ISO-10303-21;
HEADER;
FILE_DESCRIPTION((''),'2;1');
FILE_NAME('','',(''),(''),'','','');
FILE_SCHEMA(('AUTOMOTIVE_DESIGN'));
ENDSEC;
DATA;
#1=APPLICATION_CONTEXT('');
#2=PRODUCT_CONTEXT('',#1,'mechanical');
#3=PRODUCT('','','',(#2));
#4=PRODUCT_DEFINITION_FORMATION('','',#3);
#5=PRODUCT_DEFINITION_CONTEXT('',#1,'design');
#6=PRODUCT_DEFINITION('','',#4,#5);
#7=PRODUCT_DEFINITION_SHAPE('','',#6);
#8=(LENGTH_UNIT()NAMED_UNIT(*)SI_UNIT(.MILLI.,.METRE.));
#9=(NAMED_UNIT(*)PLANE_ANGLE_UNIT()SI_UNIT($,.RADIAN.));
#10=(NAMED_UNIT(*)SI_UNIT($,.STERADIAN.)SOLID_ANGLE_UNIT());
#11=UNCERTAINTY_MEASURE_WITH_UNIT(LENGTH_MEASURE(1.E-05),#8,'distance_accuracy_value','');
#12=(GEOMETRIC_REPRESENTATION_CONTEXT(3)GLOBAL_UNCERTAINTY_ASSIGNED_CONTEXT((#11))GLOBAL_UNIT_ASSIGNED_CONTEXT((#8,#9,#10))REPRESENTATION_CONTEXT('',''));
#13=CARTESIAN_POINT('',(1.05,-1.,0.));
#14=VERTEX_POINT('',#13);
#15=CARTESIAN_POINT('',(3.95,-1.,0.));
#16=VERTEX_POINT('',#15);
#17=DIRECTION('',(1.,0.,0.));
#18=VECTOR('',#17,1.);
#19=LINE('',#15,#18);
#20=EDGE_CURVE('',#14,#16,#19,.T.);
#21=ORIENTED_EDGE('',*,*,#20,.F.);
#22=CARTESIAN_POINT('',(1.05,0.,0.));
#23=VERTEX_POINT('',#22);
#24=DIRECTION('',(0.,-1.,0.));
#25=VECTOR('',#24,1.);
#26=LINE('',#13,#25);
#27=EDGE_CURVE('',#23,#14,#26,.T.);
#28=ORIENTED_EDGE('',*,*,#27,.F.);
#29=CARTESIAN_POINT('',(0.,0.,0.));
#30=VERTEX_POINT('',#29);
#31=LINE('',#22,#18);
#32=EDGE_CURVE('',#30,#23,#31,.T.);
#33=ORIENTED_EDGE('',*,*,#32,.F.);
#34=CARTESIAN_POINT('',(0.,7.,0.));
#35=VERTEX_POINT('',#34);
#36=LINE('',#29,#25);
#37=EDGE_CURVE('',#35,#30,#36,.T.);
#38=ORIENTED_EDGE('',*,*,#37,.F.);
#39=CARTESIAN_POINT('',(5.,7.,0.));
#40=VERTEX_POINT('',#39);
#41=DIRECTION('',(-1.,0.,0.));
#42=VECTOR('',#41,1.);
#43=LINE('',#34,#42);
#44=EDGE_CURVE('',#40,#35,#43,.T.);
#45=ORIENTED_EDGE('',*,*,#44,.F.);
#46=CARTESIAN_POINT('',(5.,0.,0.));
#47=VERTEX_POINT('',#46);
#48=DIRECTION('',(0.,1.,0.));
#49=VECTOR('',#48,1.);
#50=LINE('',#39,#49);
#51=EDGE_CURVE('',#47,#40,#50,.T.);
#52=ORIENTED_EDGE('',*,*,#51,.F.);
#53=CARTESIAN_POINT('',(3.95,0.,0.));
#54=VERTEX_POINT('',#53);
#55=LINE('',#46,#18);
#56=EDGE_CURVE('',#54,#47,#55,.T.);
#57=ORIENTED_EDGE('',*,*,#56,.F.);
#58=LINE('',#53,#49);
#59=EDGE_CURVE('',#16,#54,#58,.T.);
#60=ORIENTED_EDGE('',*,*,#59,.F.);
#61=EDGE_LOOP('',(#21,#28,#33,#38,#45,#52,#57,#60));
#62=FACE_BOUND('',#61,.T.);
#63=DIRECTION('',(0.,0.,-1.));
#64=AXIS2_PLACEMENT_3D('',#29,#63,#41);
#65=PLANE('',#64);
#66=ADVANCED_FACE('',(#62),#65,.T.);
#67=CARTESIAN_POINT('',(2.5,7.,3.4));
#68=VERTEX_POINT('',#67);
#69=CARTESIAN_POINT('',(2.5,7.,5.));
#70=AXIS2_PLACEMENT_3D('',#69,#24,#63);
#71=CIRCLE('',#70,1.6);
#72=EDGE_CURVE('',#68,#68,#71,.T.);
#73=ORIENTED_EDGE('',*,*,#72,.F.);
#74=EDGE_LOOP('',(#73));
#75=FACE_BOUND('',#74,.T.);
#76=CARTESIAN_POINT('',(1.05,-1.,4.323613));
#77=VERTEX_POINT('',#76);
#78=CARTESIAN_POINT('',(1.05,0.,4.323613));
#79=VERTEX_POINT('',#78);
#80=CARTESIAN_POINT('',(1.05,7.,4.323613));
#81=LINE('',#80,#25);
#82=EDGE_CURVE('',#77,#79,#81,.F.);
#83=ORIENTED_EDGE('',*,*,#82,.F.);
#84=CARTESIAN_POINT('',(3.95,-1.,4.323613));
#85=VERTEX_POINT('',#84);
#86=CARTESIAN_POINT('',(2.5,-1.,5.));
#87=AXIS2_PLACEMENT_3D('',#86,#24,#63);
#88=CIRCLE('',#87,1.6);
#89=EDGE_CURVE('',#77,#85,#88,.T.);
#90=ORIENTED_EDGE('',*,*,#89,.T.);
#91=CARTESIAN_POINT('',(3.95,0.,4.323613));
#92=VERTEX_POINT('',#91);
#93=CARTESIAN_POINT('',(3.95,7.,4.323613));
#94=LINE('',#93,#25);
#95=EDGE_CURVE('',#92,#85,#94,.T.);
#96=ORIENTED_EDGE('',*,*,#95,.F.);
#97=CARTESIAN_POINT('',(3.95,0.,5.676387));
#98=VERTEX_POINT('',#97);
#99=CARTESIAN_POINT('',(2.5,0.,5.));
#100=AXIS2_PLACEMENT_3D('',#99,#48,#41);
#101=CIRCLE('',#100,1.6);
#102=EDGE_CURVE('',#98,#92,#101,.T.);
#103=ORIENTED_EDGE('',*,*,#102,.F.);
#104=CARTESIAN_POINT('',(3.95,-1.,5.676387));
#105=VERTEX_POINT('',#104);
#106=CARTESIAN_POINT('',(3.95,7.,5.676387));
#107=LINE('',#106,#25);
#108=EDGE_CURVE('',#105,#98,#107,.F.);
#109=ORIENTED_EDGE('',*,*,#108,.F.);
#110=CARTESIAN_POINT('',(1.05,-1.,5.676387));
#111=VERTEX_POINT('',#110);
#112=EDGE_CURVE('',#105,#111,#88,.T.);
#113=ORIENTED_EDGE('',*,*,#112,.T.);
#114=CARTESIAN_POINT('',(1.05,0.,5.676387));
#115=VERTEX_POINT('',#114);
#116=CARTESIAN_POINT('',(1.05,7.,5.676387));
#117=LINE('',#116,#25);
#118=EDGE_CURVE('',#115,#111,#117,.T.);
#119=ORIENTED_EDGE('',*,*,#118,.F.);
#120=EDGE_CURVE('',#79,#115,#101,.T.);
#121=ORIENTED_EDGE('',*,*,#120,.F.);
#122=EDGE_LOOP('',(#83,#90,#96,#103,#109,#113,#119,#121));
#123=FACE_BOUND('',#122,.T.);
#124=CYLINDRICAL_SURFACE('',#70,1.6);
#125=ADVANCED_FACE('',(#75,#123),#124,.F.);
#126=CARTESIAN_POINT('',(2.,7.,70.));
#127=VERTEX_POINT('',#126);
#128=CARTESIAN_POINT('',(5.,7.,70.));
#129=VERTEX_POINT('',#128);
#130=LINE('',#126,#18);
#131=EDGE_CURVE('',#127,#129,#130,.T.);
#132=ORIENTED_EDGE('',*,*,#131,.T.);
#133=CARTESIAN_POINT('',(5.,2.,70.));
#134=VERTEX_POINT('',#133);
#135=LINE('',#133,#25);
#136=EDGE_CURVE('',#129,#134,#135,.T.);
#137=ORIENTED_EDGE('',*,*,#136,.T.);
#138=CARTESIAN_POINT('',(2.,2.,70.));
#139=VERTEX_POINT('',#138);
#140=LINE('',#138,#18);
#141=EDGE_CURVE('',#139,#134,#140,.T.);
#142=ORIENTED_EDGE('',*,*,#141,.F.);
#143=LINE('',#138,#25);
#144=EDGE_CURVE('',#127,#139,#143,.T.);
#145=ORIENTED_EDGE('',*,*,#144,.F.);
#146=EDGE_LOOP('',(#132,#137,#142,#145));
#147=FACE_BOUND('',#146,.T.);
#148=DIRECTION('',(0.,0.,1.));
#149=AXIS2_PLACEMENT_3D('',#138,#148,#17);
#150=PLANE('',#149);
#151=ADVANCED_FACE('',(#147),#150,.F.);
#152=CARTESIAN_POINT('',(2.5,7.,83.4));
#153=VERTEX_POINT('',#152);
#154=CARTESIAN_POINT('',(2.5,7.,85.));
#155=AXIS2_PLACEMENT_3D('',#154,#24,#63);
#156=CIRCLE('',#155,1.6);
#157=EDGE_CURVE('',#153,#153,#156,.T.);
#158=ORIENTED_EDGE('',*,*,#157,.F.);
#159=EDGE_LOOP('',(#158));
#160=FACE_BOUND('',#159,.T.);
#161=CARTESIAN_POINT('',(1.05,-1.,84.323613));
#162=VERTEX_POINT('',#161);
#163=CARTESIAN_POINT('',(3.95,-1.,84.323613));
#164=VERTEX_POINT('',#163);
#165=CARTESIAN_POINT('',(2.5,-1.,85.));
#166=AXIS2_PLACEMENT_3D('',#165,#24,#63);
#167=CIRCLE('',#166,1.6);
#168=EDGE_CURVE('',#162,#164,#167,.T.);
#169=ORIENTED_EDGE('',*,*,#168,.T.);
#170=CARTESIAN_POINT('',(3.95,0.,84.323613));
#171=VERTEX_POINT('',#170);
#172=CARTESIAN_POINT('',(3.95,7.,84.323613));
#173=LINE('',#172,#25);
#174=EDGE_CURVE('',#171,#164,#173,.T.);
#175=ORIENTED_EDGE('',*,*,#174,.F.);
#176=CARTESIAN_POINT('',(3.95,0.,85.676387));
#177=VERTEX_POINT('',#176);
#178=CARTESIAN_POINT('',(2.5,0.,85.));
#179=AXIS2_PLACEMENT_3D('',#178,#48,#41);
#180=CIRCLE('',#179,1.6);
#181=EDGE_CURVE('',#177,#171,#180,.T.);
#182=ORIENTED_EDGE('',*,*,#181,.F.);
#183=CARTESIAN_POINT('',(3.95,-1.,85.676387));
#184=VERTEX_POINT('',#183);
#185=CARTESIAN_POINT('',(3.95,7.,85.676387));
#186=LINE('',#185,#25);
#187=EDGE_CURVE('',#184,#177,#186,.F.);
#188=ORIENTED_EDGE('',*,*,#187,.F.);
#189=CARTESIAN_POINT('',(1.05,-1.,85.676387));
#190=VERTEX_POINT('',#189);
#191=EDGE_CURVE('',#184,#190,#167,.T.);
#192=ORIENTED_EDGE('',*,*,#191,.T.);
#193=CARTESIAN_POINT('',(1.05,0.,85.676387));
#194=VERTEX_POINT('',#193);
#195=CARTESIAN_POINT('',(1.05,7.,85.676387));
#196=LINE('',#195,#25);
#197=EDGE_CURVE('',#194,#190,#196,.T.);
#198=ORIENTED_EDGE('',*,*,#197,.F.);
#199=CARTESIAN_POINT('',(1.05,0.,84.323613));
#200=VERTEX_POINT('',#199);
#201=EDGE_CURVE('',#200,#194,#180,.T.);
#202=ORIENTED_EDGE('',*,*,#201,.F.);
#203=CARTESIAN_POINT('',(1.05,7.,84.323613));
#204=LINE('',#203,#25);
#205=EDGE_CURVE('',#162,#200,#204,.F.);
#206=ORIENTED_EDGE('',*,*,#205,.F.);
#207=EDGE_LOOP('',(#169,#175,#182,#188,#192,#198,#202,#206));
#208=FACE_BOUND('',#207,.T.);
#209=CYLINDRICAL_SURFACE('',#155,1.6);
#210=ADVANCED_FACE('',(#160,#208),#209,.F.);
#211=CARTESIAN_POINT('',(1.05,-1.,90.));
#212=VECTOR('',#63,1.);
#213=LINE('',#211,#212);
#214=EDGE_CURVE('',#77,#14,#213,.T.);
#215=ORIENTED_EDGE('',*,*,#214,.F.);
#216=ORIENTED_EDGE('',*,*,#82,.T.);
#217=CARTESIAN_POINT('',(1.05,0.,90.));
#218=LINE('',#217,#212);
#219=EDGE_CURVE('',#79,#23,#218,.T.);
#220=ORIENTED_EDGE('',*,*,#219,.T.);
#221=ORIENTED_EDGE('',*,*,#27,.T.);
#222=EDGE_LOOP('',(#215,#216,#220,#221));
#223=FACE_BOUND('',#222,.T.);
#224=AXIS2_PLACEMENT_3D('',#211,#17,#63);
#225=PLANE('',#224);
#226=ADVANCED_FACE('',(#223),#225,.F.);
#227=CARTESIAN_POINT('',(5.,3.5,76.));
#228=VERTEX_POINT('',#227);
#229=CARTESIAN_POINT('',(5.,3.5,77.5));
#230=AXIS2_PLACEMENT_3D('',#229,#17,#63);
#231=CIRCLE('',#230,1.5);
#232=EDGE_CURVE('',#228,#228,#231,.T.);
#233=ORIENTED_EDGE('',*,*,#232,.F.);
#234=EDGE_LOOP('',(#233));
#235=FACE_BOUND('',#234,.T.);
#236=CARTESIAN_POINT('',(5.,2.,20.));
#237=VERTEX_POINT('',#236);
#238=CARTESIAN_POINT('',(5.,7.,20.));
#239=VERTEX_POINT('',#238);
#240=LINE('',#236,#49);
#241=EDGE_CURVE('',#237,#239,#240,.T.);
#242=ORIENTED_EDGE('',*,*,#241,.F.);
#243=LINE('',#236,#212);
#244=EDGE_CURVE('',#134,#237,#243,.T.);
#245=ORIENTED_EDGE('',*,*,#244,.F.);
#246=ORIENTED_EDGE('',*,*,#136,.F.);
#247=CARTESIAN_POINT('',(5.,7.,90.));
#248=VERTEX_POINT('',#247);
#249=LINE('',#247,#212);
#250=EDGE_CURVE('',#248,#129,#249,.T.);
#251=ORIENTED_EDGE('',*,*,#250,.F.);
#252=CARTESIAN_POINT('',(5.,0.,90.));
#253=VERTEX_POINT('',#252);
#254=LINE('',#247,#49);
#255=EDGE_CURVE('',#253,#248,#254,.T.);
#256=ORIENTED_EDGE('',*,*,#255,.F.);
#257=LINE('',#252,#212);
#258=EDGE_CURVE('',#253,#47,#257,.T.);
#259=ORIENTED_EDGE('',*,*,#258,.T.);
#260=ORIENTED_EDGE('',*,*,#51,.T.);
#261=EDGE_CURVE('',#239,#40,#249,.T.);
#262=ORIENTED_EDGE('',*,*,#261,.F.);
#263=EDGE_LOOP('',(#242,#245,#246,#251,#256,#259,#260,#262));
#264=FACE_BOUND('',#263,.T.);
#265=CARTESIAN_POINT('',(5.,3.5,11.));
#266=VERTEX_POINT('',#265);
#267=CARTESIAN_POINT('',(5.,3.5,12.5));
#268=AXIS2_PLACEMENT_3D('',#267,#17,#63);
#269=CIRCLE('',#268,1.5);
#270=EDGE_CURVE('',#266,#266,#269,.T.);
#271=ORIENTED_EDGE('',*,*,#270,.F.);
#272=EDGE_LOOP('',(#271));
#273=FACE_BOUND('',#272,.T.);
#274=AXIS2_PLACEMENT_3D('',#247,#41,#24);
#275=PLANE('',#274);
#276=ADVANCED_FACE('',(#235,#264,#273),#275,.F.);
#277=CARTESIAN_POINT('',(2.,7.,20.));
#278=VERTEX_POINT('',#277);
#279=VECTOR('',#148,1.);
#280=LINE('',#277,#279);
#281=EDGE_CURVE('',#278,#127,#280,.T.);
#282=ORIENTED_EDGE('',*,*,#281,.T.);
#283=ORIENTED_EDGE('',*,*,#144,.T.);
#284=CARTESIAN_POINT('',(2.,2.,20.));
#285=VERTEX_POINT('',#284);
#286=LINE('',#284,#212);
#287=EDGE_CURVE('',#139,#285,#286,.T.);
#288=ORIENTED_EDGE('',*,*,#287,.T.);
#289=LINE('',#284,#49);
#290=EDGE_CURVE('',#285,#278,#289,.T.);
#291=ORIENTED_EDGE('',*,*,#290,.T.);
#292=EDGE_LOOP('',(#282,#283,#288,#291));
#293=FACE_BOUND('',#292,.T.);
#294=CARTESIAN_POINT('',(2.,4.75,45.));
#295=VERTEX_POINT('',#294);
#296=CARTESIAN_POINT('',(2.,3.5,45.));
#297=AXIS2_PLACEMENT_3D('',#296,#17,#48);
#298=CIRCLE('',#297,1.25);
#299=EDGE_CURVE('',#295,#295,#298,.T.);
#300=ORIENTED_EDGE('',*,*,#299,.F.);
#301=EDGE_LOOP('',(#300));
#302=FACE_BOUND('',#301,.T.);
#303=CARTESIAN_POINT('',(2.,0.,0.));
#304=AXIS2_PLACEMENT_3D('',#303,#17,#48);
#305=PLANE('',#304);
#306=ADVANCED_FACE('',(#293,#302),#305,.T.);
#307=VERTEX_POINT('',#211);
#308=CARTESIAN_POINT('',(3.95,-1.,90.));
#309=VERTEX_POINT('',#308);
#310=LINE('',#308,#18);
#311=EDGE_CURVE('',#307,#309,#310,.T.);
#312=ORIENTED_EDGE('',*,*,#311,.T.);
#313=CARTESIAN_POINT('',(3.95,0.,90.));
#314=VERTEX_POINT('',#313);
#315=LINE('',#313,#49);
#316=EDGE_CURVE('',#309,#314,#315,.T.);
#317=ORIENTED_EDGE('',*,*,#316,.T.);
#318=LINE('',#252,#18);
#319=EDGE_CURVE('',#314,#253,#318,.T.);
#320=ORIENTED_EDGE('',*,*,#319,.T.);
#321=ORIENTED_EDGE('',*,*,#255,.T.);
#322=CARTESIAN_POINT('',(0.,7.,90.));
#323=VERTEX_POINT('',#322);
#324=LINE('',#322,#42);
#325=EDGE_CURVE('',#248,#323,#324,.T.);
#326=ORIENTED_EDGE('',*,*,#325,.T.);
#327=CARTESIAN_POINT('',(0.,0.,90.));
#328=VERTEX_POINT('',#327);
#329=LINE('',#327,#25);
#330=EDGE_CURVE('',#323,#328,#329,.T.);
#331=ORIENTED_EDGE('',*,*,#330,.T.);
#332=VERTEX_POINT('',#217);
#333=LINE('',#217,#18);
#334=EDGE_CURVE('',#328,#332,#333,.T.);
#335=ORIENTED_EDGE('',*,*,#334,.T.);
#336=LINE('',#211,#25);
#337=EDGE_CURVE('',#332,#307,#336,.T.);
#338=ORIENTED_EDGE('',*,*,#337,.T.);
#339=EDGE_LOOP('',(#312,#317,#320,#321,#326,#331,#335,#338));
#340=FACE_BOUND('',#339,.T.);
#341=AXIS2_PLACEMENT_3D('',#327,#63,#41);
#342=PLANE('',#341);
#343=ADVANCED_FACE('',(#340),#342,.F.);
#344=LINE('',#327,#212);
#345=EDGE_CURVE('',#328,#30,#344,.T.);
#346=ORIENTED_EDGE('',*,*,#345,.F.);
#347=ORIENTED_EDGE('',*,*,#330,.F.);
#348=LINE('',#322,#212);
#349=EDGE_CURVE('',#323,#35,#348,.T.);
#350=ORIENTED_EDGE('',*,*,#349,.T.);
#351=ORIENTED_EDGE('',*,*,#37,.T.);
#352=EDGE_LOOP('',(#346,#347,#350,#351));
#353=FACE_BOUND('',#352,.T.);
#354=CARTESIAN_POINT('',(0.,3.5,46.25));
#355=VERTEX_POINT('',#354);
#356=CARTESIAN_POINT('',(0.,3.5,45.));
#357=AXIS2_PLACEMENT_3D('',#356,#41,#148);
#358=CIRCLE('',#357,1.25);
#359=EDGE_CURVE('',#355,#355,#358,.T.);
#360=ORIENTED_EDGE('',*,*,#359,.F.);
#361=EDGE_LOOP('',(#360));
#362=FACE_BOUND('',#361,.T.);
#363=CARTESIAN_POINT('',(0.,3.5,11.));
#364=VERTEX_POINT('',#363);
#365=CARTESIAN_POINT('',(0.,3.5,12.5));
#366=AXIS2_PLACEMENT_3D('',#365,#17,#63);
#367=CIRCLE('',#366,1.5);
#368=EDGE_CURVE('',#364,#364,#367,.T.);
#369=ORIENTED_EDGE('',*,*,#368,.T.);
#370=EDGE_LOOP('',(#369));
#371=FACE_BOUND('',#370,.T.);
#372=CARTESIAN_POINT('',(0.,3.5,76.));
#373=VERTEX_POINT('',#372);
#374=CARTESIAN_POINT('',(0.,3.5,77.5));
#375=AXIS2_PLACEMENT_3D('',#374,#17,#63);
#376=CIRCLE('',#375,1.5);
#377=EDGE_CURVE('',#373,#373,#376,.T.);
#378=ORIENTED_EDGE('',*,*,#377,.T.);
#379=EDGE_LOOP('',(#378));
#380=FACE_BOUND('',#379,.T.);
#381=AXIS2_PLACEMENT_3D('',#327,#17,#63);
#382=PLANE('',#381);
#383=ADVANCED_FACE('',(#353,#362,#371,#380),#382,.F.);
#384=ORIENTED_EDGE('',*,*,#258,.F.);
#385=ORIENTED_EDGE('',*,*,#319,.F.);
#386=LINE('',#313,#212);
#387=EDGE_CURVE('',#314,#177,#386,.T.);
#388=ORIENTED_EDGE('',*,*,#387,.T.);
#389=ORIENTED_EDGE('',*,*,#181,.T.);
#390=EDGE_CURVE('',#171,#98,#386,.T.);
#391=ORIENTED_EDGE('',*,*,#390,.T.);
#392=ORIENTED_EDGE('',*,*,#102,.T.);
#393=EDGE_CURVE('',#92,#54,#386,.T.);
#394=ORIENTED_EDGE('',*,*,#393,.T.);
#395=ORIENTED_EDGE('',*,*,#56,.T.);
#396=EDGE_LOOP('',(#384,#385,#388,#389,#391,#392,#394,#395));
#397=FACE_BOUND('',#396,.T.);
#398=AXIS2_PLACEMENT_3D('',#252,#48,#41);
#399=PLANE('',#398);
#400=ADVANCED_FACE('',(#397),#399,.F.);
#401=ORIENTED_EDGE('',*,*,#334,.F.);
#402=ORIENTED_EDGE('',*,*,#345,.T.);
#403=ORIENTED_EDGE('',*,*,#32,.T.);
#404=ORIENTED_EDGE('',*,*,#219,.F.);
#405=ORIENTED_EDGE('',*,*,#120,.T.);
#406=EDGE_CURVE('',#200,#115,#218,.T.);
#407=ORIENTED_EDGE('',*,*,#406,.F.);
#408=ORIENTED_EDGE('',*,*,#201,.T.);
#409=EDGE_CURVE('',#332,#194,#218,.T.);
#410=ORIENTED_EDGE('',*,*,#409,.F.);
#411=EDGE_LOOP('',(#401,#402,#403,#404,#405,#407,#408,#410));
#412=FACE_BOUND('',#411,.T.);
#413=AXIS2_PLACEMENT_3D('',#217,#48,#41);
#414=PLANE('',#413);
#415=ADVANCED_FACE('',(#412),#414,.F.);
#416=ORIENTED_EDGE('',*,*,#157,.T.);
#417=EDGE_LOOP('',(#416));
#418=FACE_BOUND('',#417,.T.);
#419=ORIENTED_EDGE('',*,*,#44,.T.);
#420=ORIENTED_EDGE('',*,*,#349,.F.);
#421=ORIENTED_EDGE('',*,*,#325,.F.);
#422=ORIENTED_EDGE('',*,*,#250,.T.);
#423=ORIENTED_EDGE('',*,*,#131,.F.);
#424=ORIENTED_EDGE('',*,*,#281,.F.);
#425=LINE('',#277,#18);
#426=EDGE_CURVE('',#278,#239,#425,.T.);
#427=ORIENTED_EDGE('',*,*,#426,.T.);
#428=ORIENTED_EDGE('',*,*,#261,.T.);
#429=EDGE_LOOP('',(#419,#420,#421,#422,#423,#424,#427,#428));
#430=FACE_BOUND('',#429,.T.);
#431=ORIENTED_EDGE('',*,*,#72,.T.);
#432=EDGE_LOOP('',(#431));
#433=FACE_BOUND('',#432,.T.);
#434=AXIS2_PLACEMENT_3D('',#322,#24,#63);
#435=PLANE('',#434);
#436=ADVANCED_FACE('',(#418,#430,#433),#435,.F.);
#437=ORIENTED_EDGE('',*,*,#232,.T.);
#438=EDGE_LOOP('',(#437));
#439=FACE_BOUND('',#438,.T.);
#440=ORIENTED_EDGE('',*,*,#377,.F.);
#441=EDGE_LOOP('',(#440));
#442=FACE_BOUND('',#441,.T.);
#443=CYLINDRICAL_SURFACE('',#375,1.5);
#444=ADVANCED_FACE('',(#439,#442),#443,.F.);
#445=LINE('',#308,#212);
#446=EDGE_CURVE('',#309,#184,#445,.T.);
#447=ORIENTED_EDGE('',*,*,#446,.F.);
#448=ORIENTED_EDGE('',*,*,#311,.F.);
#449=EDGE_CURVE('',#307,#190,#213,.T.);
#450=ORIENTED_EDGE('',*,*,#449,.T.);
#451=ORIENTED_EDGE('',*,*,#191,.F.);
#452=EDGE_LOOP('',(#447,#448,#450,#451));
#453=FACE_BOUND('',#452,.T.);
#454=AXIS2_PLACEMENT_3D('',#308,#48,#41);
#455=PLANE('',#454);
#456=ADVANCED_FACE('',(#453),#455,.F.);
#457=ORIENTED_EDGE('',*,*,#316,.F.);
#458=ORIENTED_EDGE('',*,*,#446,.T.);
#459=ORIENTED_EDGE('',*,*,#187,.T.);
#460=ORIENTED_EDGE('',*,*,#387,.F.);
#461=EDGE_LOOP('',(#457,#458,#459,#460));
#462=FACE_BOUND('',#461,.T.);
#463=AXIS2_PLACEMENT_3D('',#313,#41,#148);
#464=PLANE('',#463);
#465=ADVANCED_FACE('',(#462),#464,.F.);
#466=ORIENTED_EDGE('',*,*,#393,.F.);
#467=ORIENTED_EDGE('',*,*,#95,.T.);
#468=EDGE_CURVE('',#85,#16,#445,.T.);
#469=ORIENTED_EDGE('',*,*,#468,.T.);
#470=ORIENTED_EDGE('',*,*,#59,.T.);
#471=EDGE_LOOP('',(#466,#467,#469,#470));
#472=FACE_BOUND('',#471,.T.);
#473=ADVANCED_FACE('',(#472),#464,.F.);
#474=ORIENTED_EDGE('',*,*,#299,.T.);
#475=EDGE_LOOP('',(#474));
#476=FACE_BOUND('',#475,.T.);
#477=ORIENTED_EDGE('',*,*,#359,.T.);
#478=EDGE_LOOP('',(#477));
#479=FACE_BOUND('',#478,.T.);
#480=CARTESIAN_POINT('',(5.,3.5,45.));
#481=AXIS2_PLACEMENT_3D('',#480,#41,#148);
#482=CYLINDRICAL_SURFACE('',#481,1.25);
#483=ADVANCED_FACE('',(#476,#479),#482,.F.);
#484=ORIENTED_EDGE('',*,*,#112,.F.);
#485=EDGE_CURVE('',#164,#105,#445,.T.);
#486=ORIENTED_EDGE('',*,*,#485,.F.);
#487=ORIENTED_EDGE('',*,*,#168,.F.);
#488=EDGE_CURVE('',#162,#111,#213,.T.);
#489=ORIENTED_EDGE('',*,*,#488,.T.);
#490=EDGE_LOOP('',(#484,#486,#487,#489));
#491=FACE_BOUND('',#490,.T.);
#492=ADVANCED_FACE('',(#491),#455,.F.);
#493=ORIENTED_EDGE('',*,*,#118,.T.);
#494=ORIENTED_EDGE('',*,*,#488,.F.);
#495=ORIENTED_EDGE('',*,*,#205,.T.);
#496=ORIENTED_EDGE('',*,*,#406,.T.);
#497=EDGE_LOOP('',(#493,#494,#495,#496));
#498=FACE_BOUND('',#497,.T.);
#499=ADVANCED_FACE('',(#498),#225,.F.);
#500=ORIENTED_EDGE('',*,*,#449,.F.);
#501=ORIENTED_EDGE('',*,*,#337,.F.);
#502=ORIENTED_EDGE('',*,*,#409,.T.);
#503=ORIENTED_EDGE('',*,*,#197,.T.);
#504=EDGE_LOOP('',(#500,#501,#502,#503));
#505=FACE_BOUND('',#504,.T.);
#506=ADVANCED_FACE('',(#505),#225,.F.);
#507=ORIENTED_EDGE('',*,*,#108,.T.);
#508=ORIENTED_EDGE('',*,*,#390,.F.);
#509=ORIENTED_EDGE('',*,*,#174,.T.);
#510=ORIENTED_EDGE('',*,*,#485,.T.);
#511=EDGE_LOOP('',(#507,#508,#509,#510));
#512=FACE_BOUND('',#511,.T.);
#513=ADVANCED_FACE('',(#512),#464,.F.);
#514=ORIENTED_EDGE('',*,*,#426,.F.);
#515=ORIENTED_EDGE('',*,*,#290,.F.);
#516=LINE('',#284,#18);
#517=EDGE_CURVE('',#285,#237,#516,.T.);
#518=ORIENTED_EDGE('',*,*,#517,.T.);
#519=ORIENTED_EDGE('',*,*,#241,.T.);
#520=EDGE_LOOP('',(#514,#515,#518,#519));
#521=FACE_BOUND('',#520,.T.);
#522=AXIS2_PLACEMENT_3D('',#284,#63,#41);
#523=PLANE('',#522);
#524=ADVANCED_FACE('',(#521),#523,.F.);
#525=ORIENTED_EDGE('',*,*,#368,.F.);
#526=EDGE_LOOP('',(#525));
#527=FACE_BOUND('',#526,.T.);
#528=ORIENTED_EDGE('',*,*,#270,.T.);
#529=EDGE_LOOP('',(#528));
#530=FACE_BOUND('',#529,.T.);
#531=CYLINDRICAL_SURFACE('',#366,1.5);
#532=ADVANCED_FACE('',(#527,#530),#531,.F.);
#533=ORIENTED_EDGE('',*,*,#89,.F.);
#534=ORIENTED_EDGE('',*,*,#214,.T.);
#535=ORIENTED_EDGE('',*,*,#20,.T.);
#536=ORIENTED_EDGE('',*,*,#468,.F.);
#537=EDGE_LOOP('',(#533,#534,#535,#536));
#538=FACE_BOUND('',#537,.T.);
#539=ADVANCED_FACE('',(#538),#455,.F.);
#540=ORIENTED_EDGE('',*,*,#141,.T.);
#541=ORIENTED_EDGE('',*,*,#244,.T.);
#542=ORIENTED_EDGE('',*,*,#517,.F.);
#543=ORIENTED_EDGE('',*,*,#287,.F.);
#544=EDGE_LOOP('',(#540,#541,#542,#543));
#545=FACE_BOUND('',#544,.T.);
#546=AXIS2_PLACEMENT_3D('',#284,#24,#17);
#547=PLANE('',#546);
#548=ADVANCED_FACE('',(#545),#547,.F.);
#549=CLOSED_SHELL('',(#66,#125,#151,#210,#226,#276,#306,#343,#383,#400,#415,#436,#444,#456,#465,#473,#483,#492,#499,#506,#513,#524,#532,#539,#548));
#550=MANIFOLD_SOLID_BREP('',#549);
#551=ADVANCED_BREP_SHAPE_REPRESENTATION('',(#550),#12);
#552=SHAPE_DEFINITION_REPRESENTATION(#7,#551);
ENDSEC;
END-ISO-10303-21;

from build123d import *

# Parameters (mm, degrees)
MAIN_DEPTH               = 90
ESQUISSE2_R              = 1.5
HOLESFORPOWERBOARD_DEPTH = 6
ESQUISSE4_R              = 1.6
HOLESFORMAKERBEAM_DEPTH  = 9
SKETCH1_W                = 50
SKETCH1_H                = 5
POWERBOARDPINHOLES_DEPTH = 3
SKETCH2_R                = 1.25
WINDOWFIXHOLES_DEPTH     = 6


with BuildPart() as part:
    # Esquisse1 → Main (new body)
    with BuildSketch(Plane.XY):
        Polygon((0, 7), (5, 7), (5, 0), (3.95, 0), (3.95, -1), (1.05, -1), (1.05, 0), (0, 0), align=None)
    extrude(amount=MAIN_DEPTH)

    # Esquisse2 → HolesForPowerBoard (cut, through all)
    with BuildSketch(Plane(origin=(5, 0, 0), x_dir=(0, 0, -1), z_dir=(1, 0, 0))):
        with Locations((-12.5, 3.5)):
            Circle(ESQUISSE2_R)
        with Locations((-77.5, 3.5)):
            Circle(ESQUISSE2_R)
    extrude(amount=-HOLESFORPOWERBOARD_DEPTH, mode=Mode.SUBTRACT)

    # Esquisse4 → HolesForMakerBeam (cut, through all)
    with BuildSketch(Plane(origin=(0, -1, 0), x_dir=(-1, 0, 0), z_dir=(0, -1, 0))):
        with Locations((-2.5, -85)):
            Circle(ESQUISSE4_R)
        with Locations((-2.5, -5)):
            Circle(ESQUISSE4_R)
    extrude(amount=-HOLESFORMAKERBEAM_DEPTH, mode=Mode.SUBTRACT)

    # Sketch1 → PowerBoardPinHoles (cut)
    with BuildSketch(Plane(origin=(5, 0, 0), x_dir=(0, 0, -1), z_dir=(1, 0, 0))):
        with Locations((-45, 4.5)):
            Rectangle(SKETCH1_W, SKETCH1_H)
    extrude(amount=-POWERBOARDPINHOLES_DEPTH, mode=Mode.SUBTRACT)

    # Sketch2 → WindowFixHoles (cut, through all)
    with BuildSketch(Plane.ZY):
        with Locations((45, 3.5)):
            Circle(SKETCH2_R)
    extrude(amount=-WINDOWFIXHOLES_DEPTH, mode=Mode.SUBTRACT)


solid = part.part
